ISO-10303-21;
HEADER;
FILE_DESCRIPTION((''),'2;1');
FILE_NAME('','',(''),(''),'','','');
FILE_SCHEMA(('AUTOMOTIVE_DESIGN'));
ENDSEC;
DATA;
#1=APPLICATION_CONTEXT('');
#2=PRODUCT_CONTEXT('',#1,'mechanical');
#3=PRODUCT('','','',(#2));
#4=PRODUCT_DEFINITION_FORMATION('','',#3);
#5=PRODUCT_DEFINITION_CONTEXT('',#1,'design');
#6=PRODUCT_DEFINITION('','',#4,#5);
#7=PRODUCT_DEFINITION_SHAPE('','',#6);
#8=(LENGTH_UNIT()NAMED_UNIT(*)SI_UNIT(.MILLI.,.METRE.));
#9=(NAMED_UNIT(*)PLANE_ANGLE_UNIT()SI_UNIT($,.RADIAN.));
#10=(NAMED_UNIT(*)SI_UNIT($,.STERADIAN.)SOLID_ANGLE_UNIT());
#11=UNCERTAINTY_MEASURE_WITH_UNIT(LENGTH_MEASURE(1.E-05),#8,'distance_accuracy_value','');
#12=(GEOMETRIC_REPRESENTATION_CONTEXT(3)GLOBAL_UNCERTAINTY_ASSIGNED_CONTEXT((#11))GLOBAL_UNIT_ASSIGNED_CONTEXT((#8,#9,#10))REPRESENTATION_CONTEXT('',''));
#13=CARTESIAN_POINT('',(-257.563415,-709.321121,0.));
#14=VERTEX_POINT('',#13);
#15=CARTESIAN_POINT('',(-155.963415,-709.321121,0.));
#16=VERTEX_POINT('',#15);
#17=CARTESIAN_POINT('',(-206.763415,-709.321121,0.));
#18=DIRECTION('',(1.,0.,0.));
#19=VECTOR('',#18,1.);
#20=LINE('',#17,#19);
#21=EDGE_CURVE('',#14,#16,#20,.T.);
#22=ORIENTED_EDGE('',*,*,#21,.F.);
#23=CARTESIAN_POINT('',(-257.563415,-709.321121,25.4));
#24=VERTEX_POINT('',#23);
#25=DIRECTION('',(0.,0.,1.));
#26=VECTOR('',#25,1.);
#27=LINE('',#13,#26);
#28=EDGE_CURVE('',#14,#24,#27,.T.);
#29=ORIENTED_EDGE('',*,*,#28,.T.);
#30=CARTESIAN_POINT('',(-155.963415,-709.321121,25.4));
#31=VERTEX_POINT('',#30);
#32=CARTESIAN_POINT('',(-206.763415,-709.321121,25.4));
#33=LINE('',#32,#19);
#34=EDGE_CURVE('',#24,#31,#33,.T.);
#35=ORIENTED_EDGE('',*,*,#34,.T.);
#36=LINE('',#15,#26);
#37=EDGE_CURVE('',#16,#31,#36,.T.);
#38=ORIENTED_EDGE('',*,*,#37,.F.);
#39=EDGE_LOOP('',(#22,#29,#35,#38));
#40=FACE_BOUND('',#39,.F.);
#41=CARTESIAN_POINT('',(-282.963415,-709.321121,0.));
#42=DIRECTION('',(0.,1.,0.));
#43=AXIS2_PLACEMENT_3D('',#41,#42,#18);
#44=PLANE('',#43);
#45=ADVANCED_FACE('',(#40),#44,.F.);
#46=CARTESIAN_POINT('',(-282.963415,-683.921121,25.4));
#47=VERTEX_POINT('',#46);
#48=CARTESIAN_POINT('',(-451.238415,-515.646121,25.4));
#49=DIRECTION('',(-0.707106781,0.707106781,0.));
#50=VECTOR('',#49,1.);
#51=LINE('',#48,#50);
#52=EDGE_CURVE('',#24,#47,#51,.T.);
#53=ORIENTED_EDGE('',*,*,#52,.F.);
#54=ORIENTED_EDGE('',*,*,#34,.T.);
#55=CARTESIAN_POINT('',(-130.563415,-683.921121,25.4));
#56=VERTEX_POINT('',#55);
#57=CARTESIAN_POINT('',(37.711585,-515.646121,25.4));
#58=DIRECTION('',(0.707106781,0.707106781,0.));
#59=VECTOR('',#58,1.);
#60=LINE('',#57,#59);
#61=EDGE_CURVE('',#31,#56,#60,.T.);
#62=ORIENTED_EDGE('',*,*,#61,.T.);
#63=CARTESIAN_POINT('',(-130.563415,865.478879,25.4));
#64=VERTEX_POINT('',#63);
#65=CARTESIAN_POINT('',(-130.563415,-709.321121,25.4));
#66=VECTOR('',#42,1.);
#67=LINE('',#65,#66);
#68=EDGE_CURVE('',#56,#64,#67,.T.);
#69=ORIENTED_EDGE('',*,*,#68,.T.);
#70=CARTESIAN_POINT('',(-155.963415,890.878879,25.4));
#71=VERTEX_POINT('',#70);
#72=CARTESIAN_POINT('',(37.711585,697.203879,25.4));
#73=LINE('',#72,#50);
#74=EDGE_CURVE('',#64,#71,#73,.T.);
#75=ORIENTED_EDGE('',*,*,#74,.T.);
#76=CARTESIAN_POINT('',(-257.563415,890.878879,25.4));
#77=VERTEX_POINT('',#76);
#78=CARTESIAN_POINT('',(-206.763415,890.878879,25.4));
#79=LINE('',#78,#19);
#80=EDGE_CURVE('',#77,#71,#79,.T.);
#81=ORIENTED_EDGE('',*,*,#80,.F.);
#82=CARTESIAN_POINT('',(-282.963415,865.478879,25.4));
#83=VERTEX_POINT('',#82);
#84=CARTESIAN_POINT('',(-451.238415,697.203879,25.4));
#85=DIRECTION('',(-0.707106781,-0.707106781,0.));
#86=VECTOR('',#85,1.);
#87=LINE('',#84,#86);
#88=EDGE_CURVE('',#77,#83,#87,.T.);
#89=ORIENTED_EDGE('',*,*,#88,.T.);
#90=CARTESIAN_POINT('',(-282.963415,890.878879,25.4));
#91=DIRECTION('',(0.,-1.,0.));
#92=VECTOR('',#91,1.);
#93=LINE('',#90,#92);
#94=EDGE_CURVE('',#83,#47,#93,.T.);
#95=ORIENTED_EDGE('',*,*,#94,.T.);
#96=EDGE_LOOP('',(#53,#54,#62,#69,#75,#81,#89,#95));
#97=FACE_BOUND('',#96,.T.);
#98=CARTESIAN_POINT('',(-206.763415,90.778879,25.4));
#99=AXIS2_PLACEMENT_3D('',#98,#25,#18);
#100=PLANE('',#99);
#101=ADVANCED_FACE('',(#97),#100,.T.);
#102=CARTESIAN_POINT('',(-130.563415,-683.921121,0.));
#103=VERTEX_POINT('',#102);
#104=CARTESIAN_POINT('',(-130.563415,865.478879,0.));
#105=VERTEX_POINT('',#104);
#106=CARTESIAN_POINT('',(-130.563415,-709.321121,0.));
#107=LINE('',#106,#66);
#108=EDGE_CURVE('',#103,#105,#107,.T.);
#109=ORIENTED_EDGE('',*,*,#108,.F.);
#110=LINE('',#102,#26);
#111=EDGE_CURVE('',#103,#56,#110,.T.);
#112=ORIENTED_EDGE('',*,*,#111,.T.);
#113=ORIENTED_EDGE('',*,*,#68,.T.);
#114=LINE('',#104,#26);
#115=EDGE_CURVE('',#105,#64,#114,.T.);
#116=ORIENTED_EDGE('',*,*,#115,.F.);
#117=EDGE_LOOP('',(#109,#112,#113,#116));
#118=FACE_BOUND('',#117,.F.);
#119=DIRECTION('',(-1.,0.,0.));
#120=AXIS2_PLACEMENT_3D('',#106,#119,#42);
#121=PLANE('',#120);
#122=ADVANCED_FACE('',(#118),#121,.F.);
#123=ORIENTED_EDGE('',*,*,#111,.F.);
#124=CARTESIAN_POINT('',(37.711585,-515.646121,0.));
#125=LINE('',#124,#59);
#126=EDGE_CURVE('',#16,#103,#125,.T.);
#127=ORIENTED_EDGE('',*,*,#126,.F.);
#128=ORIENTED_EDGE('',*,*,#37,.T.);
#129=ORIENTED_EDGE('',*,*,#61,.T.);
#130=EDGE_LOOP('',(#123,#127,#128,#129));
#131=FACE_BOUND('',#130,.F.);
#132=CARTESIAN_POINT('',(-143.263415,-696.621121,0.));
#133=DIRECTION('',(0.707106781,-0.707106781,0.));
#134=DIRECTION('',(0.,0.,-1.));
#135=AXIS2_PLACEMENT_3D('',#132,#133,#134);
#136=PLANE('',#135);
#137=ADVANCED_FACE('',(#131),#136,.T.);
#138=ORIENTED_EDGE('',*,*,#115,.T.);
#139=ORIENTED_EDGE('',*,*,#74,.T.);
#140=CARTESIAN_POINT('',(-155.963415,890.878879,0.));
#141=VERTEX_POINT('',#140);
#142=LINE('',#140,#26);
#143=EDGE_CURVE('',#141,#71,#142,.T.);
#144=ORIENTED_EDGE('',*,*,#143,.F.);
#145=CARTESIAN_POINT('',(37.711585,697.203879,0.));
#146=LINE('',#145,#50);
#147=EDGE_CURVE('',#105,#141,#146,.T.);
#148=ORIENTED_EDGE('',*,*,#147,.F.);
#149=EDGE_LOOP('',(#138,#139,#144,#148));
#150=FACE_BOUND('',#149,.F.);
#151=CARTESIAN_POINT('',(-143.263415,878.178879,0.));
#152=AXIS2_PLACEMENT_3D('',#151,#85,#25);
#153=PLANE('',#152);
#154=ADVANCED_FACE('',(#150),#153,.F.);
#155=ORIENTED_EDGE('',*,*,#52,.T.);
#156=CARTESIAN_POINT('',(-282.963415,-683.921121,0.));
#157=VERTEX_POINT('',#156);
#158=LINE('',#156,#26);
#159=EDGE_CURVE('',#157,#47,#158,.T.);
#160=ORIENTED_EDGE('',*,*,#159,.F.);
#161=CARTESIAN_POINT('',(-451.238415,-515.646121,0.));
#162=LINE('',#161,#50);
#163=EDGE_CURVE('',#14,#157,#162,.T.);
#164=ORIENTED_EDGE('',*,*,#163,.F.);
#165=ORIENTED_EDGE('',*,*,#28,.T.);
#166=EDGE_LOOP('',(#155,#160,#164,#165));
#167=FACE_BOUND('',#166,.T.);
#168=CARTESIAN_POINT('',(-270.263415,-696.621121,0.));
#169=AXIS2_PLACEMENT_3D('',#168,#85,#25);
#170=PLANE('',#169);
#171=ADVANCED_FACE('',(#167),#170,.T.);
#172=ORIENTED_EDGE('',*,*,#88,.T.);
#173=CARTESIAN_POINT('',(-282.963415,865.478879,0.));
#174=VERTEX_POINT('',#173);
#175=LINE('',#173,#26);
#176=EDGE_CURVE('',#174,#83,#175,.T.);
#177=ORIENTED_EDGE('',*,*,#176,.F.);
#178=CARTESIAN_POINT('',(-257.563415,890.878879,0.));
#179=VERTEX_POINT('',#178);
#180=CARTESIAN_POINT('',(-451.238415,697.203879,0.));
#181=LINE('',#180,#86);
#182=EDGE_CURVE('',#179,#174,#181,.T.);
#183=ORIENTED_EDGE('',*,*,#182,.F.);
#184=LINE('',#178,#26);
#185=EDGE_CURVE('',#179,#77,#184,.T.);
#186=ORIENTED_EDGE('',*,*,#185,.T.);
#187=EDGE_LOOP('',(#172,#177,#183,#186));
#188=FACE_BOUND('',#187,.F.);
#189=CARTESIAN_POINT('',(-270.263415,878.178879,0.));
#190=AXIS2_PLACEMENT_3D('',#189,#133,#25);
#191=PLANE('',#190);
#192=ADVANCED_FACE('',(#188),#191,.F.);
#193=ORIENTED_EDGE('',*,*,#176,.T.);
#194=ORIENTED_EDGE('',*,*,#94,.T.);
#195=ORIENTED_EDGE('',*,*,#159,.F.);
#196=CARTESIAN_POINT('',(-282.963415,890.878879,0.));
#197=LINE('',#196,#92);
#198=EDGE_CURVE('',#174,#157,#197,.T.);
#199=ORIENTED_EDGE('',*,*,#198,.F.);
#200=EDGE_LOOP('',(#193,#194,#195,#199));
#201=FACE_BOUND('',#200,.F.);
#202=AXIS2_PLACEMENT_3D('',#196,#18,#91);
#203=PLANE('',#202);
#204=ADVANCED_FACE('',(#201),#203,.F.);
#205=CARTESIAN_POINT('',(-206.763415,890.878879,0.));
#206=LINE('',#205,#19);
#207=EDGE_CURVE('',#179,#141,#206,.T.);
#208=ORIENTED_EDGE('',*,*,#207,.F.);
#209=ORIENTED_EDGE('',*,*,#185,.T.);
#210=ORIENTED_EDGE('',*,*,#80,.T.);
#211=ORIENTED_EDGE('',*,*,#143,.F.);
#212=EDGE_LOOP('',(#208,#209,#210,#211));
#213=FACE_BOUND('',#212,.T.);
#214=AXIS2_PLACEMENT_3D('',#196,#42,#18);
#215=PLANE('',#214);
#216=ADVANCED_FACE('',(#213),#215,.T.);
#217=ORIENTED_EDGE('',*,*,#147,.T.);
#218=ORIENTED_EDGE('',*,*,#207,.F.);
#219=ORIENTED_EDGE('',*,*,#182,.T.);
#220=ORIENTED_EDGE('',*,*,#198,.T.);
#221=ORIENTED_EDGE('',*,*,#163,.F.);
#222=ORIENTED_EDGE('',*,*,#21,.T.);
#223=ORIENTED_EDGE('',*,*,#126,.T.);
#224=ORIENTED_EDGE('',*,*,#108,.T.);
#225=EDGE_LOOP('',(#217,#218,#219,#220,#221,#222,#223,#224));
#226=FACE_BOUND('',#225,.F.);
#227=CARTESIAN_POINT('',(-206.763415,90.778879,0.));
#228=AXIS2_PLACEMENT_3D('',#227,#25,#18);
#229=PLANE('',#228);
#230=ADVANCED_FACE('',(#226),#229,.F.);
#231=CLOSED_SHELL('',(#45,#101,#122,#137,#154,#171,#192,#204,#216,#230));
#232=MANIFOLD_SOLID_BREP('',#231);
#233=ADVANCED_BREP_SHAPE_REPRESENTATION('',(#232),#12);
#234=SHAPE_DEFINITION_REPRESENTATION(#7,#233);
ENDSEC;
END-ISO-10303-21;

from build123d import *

# Parameters (mm, degrees)
F0_W     = 152.4
F0_H     = 1549.4
F0_H_2   = 25.4
F1_DEPTH = 25.4
F2_SIZE  = 25.4


with BuildPart() as f1:
    # F0 (on Top) → F1 (new body)
    with BuildSketch(Plane.XY):
        with Locations((-206.763415, 90.778879)):
            Rectangle(F0_W, F0_H)
        with Locations((-206.763415, -696.621121)):
            Rectangle(F0_W, F0_H_2)
        with Locations((-206.763415, 878.178879)):
            Rectangle(F0_W, F0_H_2)
    extrude(amount=F1_DEPTH)

    # F2
    f2_edges = [f1.edges().sort_by_distance(p)[0] for p in [
        (-130.563415, -709.321121, 12.7),
        (-282.963415, -709.321121, 12.7),
        (-130.563415, 890.878879, 12.7),
        (-282.963415, 890.878879, 12.7),
    ]]
    chamfer(f2_edges, length=F2_SIZE)


solid = f1.part
